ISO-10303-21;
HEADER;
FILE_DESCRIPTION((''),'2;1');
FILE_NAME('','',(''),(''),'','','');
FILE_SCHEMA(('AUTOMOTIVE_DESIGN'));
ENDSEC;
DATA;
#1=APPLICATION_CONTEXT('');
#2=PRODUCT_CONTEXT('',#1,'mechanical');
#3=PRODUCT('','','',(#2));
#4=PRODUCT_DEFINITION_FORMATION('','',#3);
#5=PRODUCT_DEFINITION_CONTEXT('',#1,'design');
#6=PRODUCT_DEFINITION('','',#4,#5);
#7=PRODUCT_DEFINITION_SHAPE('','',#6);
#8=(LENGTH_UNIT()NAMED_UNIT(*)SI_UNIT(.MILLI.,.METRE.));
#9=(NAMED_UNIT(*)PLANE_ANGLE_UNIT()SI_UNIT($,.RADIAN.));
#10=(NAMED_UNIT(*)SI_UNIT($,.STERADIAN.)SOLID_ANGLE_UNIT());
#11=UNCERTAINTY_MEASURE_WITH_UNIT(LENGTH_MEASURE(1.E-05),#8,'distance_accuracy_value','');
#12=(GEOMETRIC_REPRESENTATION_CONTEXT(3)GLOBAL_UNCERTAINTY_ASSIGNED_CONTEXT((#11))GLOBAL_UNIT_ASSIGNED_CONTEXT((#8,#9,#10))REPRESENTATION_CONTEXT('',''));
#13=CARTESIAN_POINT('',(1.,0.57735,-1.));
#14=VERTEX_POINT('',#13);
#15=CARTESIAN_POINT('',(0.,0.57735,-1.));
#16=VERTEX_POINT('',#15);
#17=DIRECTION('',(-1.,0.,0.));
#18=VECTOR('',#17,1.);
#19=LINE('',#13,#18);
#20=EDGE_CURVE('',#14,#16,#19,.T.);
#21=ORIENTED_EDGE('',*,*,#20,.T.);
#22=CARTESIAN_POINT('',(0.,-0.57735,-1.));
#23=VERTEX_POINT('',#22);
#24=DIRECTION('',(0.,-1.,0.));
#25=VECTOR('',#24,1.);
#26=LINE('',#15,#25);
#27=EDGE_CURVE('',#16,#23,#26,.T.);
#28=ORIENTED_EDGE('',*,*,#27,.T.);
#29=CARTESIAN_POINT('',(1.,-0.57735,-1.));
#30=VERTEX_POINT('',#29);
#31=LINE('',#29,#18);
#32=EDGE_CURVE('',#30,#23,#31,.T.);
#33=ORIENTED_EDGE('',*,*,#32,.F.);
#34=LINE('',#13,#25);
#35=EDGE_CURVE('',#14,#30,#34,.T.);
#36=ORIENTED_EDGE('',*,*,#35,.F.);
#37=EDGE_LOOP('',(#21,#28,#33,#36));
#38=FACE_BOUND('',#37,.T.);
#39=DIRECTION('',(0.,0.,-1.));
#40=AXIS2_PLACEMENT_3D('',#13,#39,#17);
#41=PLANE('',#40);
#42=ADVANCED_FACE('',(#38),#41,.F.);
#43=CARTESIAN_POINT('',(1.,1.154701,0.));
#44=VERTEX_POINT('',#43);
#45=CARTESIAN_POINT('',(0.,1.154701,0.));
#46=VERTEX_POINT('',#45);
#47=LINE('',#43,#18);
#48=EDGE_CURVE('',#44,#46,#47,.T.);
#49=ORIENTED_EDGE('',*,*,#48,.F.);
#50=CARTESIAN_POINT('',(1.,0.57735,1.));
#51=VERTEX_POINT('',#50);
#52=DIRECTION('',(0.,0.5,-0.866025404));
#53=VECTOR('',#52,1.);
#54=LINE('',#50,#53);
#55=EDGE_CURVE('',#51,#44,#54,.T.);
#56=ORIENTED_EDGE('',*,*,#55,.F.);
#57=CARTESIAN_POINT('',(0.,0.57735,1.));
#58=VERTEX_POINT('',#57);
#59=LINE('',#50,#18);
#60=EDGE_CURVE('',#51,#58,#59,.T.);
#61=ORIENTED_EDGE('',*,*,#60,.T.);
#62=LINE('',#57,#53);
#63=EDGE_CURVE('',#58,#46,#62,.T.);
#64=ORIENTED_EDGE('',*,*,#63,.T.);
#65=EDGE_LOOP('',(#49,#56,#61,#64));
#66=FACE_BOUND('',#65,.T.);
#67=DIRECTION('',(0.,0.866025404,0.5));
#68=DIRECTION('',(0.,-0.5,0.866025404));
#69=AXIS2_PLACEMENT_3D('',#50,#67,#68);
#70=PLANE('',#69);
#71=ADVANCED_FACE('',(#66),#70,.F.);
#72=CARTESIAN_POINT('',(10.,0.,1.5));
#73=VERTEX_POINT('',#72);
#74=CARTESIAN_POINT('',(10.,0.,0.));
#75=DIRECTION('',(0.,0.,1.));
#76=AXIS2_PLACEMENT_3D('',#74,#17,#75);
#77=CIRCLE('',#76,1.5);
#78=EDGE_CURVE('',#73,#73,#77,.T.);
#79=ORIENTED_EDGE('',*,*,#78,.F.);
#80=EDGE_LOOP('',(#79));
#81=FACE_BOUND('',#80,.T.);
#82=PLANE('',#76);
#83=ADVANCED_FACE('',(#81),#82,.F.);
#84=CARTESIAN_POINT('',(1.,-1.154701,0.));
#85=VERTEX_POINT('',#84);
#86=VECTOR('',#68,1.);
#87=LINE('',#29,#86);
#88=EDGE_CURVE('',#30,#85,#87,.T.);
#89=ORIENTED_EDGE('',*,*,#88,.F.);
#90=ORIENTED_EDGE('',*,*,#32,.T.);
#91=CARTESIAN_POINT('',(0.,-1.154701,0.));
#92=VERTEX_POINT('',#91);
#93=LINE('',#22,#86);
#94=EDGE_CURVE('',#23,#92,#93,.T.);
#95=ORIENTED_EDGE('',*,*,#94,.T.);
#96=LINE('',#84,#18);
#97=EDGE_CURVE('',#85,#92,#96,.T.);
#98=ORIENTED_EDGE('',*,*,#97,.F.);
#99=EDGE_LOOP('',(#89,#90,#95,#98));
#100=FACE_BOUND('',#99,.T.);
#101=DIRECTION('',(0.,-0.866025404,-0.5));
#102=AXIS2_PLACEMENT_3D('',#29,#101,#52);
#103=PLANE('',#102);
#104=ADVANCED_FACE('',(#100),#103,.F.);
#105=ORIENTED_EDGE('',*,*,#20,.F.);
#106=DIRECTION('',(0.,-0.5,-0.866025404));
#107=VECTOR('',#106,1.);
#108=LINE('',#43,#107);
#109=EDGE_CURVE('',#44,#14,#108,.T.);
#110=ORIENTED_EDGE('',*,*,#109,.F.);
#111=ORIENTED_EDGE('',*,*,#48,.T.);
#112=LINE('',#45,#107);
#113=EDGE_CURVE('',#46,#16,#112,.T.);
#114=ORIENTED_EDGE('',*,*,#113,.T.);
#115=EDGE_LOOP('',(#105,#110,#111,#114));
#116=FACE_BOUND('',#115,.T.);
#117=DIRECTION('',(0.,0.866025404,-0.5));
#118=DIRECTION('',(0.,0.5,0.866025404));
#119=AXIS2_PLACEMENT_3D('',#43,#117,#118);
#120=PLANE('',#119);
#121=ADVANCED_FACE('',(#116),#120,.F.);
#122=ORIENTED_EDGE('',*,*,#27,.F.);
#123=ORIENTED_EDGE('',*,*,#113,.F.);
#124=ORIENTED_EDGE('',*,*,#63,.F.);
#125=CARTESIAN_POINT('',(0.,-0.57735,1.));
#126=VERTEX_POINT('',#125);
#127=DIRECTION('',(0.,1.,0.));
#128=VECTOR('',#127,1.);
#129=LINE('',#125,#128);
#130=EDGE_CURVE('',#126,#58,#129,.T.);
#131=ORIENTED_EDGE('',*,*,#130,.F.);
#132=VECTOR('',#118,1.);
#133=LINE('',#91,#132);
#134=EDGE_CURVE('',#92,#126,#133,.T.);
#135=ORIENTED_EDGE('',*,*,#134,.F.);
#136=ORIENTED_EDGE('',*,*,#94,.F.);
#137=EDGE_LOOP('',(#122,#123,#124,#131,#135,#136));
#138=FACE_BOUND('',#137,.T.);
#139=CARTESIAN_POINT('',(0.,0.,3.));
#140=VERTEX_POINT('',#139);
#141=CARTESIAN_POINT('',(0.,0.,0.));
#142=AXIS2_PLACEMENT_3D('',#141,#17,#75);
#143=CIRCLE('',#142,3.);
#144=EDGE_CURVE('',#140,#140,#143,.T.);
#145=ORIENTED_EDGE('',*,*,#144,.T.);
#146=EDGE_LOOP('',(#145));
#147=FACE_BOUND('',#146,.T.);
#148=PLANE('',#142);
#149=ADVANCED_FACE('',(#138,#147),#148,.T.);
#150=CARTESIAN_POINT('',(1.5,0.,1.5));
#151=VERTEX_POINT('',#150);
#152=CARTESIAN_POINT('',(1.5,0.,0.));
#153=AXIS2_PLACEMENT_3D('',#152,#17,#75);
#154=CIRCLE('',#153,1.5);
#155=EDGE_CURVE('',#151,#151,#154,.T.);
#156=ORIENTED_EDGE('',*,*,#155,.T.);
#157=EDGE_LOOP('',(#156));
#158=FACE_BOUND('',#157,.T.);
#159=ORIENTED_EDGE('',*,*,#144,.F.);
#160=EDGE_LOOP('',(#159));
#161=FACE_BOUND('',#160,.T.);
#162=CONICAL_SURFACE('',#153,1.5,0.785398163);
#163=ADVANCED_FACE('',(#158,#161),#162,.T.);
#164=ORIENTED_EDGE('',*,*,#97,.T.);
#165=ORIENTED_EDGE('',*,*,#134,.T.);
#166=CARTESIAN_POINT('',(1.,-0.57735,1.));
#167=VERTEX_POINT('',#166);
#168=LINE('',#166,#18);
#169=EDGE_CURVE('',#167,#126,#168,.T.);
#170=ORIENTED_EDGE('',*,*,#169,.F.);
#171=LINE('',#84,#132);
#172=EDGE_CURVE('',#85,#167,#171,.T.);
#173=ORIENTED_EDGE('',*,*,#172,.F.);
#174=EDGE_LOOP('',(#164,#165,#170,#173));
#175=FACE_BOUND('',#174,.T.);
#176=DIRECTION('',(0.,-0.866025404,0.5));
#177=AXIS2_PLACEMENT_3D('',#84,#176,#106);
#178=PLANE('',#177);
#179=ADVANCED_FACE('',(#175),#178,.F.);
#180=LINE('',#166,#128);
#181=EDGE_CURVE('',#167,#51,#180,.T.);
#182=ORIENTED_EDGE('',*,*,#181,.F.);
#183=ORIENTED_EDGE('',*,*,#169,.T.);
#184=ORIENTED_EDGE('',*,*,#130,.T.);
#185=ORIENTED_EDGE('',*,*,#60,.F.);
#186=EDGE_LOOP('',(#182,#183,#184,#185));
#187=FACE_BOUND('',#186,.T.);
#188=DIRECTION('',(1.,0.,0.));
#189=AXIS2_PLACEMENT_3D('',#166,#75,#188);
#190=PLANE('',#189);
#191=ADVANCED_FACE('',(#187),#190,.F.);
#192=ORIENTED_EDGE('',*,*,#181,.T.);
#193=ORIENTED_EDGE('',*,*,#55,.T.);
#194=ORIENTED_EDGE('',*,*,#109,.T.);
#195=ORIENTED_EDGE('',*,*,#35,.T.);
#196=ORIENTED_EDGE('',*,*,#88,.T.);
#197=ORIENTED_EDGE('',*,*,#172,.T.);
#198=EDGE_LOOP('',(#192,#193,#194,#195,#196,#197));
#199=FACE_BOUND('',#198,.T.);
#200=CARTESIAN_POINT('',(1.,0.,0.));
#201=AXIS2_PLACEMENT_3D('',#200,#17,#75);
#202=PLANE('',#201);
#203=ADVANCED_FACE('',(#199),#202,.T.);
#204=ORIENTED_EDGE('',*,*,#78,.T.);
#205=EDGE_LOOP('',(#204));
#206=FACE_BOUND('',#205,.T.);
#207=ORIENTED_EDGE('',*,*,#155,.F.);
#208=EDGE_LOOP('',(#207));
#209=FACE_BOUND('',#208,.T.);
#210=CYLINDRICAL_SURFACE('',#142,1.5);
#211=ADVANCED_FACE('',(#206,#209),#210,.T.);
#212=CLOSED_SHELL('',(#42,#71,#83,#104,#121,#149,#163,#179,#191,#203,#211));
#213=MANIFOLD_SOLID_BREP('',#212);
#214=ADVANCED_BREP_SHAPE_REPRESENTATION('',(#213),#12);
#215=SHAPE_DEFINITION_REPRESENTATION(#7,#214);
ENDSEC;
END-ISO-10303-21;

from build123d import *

# Parameters (mm, degrees)
CUT_EXTRUDE_1_DEPTH = 1


with BuildPart() as part:
    # 草图1 → 旋转1 (revolve)
    with BuildSketch(Plane.XY, mode=Mode.PRIVATE) as revolve_1_sk:
        Polygon((0, 0), (0, 3), (1.5, 1.5), (10, 1.5), (10, 0), align=None)
    revolve(revolve_1_sk.sketch.rotate(Axis((0, 0, 0), (1, 0, 0)), 90), axis=Axis((0, 0, 0), (1, 0, 0)))

    # 草图2 → 切除-拉伸1 (cut)
    with BuildSketch(Plane.ZY):
        Polygon((0, 1.154700538), (-1, 0.577350269), (-1, -0.577350269), (0, -1.154700538), (1, -0.577350269), (1, 0.577350269), align=None)
    extrude(amount=-CUT_EXTRUDE_1_DEPTH, mode=Mode.SUBTRACT)


solid = part.part
